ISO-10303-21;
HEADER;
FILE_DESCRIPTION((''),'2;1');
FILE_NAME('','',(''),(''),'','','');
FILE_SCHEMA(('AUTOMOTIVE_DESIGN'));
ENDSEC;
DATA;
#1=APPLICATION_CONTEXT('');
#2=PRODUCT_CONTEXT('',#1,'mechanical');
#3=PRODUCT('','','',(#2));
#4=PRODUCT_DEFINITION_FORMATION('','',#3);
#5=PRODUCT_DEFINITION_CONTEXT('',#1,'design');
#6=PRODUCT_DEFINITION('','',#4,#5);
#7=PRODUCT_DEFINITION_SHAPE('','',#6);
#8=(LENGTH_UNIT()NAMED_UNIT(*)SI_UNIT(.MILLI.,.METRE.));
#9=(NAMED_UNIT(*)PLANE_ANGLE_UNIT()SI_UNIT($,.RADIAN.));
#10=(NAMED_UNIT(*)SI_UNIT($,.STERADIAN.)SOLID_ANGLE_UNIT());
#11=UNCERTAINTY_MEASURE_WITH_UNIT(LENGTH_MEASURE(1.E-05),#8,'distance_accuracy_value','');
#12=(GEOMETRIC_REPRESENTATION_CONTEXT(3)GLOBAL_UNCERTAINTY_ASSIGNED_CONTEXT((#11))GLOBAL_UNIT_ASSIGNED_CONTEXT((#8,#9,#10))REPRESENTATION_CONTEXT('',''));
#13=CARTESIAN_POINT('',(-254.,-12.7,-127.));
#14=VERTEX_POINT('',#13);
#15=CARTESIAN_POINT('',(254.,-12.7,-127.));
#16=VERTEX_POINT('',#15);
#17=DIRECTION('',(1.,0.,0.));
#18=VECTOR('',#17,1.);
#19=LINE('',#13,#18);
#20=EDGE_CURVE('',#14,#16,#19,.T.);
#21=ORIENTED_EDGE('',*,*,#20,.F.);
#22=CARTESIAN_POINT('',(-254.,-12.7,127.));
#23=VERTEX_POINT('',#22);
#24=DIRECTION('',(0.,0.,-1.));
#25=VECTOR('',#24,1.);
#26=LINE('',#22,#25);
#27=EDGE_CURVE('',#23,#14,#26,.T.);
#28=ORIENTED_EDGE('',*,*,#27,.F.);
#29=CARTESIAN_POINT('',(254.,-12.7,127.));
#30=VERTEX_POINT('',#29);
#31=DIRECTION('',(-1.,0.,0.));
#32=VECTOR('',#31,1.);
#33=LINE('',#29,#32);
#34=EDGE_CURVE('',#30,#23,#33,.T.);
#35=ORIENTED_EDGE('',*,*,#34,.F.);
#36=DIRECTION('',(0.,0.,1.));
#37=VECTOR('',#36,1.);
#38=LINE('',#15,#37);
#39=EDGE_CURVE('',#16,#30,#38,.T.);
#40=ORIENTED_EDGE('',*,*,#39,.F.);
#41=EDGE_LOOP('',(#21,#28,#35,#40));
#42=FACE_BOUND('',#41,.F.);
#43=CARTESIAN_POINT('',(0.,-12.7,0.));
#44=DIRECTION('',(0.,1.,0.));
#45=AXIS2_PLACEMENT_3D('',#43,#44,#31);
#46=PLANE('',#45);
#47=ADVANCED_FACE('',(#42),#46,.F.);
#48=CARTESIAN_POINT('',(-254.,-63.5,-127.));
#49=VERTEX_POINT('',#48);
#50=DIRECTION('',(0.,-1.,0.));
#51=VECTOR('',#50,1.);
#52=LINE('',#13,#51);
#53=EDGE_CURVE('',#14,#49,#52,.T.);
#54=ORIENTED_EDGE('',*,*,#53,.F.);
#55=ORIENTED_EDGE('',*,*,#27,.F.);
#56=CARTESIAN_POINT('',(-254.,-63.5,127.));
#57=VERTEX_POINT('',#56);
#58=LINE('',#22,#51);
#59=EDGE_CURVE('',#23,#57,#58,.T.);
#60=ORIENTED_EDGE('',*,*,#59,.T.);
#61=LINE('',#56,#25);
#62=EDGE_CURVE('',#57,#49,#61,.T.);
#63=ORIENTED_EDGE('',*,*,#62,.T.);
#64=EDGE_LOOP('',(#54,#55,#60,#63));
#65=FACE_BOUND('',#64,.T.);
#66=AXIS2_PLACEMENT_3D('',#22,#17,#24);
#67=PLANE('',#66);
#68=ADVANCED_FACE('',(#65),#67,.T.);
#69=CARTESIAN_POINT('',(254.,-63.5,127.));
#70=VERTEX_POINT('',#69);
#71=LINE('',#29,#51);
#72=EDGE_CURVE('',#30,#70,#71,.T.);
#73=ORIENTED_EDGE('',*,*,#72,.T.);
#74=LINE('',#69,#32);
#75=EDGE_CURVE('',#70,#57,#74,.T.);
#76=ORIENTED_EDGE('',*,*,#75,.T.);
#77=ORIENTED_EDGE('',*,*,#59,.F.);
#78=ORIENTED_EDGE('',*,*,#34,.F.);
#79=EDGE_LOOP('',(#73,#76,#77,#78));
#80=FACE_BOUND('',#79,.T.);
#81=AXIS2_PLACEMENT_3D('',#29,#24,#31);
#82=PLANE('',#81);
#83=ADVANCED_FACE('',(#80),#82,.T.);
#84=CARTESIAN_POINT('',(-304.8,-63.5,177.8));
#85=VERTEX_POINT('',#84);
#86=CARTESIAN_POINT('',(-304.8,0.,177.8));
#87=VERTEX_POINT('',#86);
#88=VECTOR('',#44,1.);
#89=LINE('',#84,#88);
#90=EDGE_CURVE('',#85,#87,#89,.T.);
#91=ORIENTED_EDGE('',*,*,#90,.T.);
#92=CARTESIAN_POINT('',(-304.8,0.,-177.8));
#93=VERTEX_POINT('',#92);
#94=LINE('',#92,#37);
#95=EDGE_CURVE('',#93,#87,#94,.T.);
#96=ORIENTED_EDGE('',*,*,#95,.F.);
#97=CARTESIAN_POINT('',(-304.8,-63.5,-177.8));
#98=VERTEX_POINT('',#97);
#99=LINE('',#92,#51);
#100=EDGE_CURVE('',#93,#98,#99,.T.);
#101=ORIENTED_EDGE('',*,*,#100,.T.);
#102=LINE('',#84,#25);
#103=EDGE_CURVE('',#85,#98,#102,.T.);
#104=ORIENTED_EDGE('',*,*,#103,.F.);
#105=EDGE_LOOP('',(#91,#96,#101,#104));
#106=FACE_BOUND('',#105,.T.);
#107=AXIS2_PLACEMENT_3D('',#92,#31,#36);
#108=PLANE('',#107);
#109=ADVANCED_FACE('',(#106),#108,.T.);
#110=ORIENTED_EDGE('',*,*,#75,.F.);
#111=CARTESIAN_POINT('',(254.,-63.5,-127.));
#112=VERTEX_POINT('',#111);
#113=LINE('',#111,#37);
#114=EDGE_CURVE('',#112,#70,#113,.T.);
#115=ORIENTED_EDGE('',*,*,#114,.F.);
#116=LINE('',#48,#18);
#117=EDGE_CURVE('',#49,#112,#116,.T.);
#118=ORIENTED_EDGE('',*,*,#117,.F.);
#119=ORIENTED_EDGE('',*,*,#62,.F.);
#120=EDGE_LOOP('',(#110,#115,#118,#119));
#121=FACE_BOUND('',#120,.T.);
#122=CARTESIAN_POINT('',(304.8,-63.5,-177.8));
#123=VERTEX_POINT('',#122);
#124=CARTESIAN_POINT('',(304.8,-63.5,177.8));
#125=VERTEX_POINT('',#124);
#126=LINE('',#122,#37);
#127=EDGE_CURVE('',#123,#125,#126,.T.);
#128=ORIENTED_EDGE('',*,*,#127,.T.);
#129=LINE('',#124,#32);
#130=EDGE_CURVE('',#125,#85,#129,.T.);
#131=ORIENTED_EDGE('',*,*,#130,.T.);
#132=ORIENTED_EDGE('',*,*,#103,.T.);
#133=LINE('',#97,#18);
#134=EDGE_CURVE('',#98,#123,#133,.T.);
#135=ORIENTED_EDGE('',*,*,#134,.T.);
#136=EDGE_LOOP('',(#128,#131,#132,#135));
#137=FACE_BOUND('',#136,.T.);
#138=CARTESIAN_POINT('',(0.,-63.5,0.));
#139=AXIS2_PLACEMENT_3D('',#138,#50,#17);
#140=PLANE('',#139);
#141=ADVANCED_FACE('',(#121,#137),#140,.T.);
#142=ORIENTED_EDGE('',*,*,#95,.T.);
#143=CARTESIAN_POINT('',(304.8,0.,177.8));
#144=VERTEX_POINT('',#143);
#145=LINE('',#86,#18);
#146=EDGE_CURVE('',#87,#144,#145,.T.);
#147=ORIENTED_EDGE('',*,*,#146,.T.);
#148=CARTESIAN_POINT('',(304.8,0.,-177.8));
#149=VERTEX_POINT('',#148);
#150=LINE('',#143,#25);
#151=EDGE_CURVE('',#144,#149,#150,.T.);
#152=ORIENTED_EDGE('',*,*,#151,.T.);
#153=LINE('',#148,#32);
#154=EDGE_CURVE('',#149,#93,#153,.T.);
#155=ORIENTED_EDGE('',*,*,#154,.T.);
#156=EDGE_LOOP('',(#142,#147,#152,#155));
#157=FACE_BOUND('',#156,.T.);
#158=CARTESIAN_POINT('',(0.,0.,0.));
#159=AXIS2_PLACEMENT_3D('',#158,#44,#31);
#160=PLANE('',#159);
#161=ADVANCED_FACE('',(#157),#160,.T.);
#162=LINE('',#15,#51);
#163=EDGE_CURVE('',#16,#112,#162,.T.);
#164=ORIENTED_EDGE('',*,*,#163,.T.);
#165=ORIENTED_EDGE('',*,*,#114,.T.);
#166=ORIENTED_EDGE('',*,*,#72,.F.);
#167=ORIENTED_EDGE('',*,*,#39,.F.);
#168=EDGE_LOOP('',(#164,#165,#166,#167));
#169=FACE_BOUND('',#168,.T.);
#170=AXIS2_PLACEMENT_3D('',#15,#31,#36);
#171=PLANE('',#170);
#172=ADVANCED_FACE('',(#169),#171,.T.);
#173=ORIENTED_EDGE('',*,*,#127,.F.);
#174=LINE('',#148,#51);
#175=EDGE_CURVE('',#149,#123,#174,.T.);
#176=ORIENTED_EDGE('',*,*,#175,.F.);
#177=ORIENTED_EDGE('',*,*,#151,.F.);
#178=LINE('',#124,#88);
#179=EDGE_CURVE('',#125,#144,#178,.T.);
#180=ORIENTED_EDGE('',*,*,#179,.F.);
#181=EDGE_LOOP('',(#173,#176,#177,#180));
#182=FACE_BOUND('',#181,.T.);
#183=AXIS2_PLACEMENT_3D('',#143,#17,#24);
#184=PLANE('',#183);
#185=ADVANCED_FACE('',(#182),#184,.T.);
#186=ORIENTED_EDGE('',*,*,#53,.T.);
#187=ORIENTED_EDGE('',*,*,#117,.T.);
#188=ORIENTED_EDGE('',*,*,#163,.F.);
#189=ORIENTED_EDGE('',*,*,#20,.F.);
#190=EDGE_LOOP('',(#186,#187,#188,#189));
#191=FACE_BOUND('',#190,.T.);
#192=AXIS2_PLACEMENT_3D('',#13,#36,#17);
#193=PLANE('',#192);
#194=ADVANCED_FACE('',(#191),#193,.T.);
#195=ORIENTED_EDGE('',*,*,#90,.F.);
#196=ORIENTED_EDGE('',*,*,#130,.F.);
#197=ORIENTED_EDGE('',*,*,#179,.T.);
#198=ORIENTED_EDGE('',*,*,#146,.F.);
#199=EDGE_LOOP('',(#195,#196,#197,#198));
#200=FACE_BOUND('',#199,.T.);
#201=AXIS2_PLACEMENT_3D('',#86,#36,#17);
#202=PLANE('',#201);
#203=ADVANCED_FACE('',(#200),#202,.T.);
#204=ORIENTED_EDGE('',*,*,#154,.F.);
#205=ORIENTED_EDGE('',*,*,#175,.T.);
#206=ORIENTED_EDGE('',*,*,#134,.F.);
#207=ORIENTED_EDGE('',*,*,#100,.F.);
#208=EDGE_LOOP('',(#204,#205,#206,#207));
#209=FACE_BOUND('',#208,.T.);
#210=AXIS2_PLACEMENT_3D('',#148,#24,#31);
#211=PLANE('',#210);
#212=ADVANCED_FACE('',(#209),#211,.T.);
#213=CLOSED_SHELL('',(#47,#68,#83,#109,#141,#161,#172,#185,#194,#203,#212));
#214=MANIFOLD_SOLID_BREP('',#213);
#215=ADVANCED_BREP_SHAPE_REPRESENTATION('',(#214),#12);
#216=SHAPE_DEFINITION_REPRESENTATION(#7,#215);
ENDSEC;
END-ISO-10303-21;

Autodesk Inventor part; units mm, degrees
ref_plane "YZ Plane" through (0, 0, 0) normal (1, 0, 0) x (0, 1, 0)
ref_plane "XZ Plane" through (0, 0, 0) normal (0, 1, 0) x (-1, 0, 0)
ref_plane "XY Plane" through (0, 0, 0) normal (0, 0, 1) x (1, 0, 0)
sketch "Sketch2" plane through (0, 0, 0) normal (0, 1, 0) x (-1, 0, 0)
  line L0 (304.8, 177.8) -> (-304.8, 177.8)
  line L1 (-304.8, 177.8) -> (-304.8, -177.8)
  line L2 (-304.8, -177.8) -> (304.8, -177.8)
  line L3 (304.8, -177.8) -> (304.8, 177.8)
  line L4 (304.8, 177.8) -> (-304.8, -177.8) construction
  line L5 (-304.8, 177.8) -> (304.8, -177.8) construction
  point P0 (0, 0)
  dimension "d3" = 355.6
  dimension "d4" = 609.6
extrude "Extrusion2" add sketch "Sketch2" against normal blind 12.7
sketch "Sketch3" plane through (0, -12.7, 0) normal (0, -1, 0) x (1, 0, 0)
  line L0 (304.8, 177.8) -> (-304.8, 177.8) projected
  line L1 (304.8, -177.8) -> (304.8, 177.8) projected
  line L2 (-304.8, -177.8) -> (304.8, -177.8) projected
  line L3 (-304.8, 177.8) -> (-304.8, -177.8) projected
  line L4 (-304.8, 177.8) -> (304.8, 177.8)
  line L5 (304.8, 177.8) -> (304.8, -177.8)
  line L6 (304.8, -177.8) -> (-304.8, -177.8)
  line L7 (-304.8, -177.8) -> (-304.8, 177.8)
  line L8 (-254, 127) -> (-254, -127)
  line L9 (-254, -127) -> (254, -127)
  line L10 (254, -127) -> (254, 127)
  line L11 (254, 127) -> (-254, 127)
  line L12 (-254, 127) -> (254, -127) construction
  line L13 (-254, -127) -> (254, 127) construction
  point P0 (0, 0)
  dimension "d7" = 50.8
  dimension "d8" = 50.8
extrude "Extrusion3" add sketch "Sketch3" along normal blind 50.8
equation "\"d3\" = width"
equation "\"width\" = 355.6"
properties part number "Whack01-BaseForFrisbeeShooter" material "Wood (Birch)"
